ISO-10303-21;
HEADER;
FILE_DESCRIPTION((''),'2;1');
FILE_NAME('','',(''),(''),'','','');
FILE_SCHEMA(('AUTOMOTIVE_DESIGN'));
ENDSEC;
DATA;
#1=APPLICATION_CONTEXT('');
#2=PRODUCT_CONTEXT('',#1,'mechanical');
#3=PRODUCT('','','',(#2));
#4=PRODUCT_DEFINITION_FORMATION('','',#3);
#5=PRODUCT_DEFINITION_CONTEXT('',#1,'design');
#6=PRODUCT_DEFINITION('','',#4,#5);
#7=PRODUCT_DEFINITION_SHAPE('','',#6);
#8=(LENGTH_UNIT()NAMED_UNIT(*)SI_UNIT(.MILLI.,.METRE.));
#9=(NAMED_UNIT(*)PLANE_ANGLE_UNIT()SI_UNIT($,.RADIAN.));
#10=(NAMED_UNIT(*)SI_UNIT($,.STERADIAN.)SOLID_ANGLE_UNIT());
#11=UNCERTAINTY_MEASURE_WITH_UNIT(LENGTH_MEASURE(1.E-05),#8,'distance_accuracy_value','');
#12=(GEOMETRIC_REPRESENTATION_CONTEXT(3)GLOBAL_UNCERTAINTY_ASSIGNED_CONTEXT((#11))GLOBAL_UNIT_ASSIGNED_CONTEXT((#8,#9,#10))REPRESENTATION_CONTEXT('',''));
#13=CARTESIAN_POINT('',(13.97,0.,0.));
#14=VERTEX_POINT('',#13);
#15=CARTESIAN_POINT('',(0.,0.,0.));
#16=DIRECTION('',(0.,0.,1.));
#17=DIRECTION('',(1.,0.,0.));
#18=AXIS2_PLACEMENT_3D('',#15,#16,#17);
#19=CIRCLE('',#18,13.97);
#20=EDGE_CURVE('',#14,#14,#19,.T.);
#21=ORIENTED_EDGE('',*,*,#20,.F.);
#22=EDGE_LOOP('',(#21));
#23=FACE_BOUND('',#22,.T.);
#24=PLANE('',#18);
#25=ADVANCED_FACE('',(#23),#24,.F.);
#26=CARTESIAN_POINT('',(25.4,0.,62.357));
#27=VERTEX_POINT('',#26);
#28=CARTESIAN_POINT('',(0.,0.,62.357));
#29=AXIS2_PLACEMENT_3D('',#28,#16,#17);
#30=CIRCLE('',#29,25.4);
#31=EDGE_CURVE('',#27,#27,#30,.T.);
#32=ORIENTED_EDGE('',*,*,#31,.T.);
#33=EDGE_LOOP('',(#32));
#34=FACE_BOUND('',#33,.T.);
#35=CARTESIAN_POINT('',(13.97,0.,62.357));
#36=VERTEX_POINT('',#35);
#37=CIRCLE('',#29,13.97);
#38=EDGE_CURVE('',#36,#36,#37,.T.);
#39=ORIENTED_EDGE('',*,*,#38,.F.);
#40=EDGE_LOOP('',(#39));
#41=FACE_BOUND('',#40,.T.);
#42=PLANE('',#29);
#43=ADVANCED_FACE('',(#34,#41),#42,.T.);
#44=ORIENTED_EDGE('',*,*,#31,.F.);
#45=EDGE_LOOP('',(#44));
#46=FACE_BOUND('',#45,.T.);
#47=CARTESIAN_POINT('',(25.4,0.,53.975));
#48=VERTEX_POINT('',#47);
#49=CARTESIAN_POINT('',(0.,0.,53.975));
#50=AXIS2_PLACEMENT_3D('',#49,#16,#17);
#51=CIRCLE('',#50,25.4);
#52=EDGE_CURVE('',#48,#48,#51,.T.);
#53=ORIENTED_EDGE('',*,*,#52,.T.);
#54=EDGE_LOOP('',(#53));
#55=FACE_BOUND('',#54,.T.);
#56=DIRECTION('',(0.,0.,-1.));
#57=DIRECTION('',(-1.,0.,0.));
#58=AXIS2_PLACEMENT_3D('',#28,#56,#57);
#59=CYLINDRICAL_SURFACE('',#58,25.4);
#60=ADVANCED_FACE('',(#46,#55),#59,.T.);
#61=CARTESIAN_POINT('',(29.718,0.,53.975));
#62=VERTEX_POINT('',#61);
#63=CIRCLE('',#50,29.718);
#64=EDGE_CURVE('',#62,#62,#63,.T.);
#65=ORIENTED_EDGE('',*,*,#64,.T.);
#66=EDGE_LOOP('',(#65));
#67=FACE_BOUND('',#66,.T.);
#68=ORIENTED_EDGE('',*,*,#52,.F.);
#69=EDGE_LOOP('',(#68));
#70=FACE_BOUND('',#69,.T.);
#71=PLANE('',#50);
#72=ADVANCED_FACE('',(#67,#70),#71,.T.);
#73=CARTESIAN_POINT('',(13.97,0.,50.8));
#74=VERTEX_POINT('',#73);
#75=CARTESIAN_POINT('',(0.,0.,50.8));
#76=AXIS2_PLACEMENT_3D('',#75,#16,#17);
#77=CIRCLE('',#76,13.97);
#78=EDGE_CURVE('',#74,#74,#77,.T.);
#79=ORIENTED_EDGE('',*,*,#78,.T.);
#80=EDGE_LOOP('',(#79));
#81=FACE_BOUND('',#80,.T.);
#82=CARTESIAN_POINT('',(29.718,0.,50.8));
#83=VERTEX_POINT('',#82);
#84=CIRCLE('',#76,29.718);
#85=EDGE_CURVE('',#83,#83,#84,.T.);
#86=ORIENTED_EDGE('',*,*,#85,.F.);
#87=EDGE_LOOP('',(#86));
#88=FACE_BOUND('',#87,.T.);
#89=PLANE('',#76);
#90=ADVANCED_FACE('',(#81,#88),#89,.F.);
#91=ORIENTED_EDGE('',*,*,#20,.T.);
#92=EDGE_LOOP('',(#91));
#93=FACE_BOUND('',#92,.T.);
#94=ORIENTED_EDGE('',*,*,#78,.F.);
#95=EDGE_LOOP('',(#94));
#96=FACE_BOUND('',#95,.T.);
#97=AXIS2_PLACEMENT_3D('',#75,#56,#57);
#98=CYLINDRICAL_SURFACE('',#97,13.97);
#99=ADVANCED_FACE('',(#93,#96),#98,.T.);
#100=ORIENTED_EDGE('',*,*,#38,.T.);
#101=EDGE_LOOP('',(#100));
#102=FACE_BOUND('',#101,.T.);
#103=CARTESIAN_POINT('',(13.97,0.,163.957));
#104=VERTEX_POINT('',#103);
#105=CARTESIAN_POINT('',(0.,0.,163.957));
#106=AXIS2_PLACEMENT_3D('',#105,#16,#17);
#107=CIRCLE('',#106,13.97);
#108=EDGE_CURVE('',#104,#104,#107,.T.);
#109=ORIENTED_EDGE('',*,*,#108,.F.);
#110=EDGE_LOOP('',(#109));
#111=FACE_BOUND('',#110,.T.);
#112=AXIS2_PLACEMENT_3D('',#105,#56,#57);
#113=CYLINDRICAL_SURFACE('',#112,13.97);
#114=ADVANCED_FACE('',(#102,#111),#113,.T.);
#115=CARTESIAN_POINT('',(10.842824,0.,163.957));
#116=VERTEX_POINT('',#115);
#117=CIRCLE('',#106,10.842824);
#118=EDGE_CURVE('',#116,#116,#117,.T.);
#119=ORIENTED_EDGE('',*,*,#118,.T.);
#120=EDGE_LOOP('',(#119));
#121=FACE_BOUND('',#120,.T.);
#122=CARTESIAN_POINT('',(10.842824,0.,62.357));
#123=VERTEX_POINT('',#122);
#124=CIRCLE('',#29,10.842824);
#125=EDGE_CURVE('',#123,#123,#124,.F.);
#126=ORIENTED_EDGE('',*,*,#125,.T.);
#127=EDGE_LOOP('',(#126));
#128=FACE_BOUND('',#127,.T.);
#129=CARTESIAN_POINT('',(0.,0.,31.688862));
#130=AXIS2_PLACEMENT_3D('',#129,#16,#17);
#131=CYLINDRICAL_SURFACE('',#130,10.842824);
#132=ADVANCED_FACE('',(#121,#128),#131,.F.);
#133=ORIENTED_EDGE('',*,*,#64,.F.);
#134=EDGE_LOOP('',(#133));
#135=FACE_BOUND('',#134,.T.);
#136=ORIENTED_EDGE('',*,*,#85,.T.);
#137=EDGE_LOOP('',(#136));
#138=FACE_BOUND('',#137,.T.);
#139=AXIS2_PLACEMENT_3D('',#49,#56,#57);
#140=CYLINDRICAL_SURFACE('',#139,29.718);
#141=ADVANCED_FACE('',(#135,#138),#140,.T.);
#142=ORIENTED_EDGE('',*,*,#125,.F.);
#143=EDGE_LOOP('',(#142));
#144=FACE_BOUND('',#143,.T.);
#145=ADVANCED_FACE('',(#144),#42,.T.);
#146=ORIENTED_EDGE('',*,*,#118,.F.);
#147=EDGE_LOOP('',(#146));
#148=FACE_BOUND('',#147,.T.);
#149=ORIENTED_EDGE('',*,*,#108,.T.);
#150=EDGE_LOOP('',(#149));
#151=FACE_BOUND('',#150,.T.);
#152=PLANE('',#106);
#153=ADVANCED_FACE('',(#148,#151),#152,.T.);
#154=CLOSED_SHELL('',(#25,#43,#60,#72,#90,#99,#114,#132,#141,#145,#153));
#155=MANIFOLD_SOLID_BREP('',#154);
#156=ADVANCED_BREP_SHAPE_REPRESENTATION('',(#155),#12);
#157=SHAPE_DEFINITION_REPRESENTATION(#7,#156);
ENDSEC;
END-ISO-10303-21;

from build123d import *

# Parameters (mm, degrees)
SKETCH1_R           = 13.97
BOSS_EXTRUDE2_DEPTH = 50.8
SKETCH2_R           = 29.718
BOSS_EXTRUDE3_DEPTH = 3.175
SKETCH3_R           = 25.4
BOSS_EXTRUDE4_DEPTH = 8.382
SKETCH4_R           = 13.97
BOSS_EXTRUDE5_DEPTH = 101.6
SKETCH5_R           = 10.842824112
CUT_EXTRUDE1_DEPTH  = 101.6


with BuildPart() as part:
    # Sketch1 → Boss-Extrude2 (new body)
    with BuildSketch(Plane.XY):
        Circle(SKETCH1_R)
    extrude(amount=BOSS_EXTRUDE2_DEPTH)

    # Sketch2 → Boss-Extrude3 (add)
    with BuildSketch(Plane.XY.offset(50.8)):
        Circle(SKETCH2_R)
    extrude(amount=BOSS_EXTRUDE3_DEPTH)

    # Sketch3 → Boss-Extrude4 (add)
    with BuildSketch(Plane.XY.offset(53.975)):
        Circle(SKETCH3_R)
    extrude(amount=BOSS_EXTRUDE4_DEPTH)

    # Sketch4 → Boss-Extrude5 (add)
    with BuildSketch(Plane.XY.offset(62.357)):
        Circle(SKETCH4_R)
    extrude(amount=BOSS_EXTRUDE5_DEPTH)

    # Sketch5 → Cut-Extrude1 (cut)
    with BuildSketch(Plane.XY.offset(163.957)):
        Circle(SKETCH5_R)
    extrude(amount=-CUT_EXTRUDE1_DEPTH, mode=Mode.SUBTRACT)


solid = part.part
